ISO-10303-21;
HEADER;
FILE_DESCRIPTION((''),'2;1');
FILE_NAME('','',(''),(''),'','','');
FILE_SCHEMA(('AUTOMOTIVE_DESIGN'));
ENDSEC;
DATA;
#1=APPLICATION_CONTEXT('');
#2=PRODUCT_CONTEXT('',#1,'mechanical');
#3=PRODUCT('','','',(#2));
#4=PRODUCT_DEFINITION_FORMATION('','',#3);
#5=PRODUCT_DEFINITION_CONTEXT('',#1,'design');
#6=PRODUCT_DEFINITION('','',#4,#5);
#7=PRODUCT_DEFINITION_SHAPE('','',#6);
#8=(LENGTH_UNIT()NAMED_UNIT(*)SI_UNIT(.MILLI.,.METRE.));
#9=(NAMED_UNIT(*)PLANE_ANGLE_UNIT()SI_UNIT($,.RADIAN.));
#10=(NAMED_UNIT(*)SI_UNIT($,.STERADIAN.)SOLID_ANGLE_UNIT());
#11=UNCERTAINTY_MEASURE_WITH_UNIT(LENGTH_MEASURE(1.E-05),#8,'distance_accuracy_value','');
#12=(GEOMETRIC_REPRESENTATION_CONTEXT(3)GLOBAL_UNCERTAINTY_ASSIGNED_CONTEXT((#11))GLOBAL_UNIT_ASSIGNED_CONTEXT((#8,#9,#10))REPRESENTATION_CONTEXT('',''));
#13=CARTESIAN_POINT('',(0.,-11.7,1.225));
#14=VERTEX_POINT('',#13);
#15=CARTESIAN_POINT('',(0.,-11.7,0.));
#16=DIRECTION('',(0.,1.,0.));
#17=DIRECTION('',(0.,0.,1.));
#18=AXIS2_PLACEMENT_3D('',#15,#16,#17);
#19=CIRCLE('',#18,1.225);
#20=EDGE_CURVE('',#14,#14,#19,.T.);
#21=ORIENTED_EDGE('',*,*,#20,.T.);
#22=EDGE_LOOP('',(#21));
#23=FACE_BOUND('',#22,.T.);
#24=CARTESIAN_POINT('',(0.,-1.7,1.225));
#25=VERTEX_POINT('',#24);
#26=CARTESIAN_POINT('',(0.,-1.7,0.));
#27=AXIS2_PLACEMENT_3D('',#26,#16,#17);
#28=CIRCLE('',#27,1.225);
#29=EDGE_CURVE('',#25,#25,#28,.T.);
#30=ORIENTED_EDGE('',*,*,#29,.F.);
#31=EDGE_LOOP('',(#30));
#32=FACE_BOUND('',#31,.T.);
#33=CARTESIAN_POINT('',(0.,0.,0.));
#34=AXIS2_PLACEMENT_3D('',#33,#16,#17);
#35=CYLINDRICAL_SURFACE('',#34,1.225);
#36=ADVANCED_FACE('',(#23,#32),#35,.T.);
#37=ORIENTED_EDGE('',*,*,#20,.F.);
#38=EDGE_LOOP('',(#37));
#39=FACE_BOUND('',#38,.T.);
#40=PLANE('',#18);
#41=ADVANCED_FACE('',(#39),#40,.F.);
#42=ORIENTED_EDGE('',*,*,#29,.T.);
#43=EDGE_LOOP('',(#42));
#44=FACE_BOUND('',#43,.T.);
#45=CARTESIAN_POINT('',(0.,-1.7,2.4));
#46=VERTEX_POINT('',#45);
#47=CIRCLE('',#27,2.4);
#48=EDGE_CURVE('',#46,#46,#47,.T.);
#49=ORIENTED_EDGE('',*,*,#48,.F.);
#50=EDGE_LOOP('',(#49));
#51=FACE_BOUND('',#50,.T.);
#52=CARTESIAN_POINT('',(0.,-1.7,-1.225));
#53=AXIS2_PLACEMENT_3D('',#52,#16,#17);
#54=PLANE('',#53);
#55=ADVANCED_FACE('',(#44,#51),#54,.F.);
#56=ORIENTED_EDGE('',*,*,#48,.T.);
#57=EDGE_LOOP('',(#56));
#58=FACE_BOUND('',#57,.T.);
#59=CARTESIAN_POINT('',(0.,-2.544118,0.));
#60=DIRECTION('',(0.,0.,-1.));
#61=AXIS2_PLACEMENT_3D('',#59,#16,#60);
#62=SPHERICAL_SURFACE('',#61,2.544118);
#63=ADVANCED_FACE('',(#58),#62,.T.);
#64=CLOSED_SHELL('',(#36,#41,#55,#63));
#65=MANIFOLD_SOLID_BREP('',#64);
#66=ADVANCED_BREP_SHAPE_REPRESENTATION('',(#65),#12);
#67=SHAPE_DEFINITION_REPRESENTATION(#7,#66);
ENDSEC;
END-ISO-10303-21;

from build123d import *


with BuildPart() as part:
    # Sketch1 → Revolve2 (revolve)
    with BuildSketch(Plane(origin=(0, 0, 0), x_dir=(0, 0, -1), z_dir=(1, 0, 0))):
        with BuildLine():
            Line((0, -11.7), (1.225, -11.7))
            Line((1.225, -11.7), (1.225, -1.7))
            Line((1.225, -1.7), (2.4, -1.7))
            ThreePointArc((2.4, -1.7), (1.470544117, -0.468055364), (0, 0))
            Line((0, 0), (0, -11.7))
        make_face()
    revolve(axis=Axis((0, 0, 0), (0, -1, 0)))


solid = part.part
